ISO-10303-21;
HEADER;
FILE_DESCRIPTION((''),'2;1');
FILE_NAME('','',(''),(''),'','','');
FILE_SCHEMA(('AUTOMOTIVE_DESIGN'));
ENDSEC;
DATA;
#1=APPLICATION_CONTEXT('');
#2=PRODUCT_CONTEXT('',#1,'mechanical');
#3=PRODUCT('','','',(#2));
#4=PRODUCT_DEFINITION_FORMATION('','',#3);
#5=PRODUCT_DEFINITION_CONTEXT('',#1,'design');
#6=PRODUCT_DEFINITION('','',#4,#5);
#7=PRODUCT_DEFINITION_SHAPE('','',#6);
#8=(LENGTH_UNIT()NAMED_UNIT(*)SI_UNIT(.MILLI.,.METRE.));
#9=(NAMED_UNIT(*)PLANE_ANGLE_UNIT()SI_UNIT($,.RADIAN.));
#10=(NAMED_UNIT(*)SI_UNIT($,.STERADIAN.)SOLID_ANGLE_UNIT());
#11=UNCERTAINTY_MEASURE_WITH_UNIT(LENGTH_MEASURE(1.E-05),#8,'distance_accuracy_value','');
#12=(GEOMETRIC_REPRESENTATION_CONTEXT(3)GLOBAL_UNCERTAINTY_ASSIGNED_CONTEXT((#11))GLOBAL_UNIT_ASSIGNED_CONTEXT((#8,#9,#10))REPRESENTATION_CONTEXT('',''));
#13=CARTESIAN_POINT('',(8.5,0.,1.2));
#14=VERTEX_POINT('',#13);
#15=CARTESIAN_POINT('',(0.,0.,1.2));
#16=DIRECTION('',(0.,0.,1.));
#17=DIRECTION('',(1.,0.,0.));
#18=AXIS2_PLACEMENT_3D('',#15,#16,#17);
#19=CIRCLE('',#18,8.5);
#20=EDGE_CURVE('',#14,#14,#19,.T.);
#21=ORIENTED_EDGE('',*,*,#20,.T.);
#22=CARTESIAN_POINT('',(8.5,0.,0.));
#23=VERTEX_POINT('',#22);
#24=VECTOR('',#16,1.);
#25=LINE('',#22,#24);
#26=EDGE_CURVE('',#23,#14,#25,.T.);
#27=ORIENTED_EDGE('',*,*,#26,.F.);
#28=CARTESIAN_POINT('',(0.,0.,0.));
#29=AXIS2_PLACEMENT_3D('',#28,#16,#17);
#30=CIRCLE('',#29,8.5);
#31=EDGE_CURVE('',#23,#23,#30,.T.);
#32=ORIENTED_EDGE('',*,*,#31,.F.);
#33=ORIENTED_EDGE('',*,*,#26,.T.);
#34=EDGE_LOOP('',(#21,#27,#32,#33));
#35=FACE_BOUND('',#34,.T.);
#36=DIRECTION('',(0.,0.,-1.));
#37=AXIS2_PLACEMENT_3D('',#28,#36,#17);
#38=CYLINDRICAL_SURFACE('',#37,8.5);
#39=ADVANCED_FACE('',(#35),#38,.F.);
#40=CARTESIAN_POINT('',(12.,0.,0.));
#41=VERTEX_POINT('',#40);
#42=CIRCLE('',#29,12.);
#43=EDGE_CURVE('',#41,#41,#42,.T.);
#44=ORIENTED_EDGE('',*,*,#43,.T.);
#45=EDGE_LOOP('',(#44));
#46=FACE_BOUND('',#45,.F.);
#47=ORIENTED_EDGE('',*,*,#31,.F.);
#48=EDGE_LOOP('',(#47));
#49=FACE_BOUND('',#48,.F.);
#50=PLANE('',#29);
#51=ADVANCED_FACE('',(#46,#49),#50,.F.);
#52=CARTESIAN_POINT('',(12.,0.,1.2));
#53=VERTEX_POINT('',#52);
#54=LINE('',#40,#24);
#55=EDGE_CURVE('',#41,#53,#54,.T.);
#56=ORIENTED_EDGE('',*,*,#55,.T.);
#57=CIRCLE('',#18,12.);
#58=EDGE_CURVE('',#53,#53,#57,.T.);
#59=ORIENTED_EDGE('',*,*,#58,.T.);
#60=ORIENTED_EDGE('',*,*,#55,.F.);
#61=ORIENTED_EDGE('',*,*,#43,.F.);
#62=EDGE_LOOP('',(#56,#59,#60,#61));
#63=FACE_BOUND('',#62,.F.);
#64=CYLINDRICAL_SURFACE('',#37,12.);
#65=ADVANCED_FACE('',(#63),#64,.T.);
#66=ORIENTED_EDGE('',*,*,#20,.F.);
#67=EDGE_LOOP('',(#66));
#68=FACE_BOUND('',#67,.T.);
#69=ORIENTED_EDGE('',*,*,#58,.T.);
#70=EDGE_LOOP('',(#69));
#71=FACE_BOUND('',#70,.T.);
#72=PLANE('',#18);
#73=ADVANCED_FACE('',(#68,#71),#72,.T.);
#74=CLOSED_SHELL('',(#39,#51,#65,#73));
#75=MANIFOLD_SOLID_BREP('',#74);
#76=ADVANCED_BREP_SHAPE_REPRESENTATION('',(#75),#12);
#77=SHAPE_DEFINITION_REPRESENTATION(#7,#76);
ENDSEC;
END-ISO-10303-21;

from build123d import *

# Parameters (mm, degrees)
SKETCH_R   = 12
SKETCH_R_2 = 8.5
PAD_DEPTH  = 1.2


with BuildPart() as part:
    # Sketch → Pad (new body)
    with BuildSketch(Plane.XY):
        Circle(SKETCH_R)
        Circle(SKETCH_R_2, mode=Mode.SUBTRACT)
    extrude(amount=PAD_DEPTH)


solid = part.part
